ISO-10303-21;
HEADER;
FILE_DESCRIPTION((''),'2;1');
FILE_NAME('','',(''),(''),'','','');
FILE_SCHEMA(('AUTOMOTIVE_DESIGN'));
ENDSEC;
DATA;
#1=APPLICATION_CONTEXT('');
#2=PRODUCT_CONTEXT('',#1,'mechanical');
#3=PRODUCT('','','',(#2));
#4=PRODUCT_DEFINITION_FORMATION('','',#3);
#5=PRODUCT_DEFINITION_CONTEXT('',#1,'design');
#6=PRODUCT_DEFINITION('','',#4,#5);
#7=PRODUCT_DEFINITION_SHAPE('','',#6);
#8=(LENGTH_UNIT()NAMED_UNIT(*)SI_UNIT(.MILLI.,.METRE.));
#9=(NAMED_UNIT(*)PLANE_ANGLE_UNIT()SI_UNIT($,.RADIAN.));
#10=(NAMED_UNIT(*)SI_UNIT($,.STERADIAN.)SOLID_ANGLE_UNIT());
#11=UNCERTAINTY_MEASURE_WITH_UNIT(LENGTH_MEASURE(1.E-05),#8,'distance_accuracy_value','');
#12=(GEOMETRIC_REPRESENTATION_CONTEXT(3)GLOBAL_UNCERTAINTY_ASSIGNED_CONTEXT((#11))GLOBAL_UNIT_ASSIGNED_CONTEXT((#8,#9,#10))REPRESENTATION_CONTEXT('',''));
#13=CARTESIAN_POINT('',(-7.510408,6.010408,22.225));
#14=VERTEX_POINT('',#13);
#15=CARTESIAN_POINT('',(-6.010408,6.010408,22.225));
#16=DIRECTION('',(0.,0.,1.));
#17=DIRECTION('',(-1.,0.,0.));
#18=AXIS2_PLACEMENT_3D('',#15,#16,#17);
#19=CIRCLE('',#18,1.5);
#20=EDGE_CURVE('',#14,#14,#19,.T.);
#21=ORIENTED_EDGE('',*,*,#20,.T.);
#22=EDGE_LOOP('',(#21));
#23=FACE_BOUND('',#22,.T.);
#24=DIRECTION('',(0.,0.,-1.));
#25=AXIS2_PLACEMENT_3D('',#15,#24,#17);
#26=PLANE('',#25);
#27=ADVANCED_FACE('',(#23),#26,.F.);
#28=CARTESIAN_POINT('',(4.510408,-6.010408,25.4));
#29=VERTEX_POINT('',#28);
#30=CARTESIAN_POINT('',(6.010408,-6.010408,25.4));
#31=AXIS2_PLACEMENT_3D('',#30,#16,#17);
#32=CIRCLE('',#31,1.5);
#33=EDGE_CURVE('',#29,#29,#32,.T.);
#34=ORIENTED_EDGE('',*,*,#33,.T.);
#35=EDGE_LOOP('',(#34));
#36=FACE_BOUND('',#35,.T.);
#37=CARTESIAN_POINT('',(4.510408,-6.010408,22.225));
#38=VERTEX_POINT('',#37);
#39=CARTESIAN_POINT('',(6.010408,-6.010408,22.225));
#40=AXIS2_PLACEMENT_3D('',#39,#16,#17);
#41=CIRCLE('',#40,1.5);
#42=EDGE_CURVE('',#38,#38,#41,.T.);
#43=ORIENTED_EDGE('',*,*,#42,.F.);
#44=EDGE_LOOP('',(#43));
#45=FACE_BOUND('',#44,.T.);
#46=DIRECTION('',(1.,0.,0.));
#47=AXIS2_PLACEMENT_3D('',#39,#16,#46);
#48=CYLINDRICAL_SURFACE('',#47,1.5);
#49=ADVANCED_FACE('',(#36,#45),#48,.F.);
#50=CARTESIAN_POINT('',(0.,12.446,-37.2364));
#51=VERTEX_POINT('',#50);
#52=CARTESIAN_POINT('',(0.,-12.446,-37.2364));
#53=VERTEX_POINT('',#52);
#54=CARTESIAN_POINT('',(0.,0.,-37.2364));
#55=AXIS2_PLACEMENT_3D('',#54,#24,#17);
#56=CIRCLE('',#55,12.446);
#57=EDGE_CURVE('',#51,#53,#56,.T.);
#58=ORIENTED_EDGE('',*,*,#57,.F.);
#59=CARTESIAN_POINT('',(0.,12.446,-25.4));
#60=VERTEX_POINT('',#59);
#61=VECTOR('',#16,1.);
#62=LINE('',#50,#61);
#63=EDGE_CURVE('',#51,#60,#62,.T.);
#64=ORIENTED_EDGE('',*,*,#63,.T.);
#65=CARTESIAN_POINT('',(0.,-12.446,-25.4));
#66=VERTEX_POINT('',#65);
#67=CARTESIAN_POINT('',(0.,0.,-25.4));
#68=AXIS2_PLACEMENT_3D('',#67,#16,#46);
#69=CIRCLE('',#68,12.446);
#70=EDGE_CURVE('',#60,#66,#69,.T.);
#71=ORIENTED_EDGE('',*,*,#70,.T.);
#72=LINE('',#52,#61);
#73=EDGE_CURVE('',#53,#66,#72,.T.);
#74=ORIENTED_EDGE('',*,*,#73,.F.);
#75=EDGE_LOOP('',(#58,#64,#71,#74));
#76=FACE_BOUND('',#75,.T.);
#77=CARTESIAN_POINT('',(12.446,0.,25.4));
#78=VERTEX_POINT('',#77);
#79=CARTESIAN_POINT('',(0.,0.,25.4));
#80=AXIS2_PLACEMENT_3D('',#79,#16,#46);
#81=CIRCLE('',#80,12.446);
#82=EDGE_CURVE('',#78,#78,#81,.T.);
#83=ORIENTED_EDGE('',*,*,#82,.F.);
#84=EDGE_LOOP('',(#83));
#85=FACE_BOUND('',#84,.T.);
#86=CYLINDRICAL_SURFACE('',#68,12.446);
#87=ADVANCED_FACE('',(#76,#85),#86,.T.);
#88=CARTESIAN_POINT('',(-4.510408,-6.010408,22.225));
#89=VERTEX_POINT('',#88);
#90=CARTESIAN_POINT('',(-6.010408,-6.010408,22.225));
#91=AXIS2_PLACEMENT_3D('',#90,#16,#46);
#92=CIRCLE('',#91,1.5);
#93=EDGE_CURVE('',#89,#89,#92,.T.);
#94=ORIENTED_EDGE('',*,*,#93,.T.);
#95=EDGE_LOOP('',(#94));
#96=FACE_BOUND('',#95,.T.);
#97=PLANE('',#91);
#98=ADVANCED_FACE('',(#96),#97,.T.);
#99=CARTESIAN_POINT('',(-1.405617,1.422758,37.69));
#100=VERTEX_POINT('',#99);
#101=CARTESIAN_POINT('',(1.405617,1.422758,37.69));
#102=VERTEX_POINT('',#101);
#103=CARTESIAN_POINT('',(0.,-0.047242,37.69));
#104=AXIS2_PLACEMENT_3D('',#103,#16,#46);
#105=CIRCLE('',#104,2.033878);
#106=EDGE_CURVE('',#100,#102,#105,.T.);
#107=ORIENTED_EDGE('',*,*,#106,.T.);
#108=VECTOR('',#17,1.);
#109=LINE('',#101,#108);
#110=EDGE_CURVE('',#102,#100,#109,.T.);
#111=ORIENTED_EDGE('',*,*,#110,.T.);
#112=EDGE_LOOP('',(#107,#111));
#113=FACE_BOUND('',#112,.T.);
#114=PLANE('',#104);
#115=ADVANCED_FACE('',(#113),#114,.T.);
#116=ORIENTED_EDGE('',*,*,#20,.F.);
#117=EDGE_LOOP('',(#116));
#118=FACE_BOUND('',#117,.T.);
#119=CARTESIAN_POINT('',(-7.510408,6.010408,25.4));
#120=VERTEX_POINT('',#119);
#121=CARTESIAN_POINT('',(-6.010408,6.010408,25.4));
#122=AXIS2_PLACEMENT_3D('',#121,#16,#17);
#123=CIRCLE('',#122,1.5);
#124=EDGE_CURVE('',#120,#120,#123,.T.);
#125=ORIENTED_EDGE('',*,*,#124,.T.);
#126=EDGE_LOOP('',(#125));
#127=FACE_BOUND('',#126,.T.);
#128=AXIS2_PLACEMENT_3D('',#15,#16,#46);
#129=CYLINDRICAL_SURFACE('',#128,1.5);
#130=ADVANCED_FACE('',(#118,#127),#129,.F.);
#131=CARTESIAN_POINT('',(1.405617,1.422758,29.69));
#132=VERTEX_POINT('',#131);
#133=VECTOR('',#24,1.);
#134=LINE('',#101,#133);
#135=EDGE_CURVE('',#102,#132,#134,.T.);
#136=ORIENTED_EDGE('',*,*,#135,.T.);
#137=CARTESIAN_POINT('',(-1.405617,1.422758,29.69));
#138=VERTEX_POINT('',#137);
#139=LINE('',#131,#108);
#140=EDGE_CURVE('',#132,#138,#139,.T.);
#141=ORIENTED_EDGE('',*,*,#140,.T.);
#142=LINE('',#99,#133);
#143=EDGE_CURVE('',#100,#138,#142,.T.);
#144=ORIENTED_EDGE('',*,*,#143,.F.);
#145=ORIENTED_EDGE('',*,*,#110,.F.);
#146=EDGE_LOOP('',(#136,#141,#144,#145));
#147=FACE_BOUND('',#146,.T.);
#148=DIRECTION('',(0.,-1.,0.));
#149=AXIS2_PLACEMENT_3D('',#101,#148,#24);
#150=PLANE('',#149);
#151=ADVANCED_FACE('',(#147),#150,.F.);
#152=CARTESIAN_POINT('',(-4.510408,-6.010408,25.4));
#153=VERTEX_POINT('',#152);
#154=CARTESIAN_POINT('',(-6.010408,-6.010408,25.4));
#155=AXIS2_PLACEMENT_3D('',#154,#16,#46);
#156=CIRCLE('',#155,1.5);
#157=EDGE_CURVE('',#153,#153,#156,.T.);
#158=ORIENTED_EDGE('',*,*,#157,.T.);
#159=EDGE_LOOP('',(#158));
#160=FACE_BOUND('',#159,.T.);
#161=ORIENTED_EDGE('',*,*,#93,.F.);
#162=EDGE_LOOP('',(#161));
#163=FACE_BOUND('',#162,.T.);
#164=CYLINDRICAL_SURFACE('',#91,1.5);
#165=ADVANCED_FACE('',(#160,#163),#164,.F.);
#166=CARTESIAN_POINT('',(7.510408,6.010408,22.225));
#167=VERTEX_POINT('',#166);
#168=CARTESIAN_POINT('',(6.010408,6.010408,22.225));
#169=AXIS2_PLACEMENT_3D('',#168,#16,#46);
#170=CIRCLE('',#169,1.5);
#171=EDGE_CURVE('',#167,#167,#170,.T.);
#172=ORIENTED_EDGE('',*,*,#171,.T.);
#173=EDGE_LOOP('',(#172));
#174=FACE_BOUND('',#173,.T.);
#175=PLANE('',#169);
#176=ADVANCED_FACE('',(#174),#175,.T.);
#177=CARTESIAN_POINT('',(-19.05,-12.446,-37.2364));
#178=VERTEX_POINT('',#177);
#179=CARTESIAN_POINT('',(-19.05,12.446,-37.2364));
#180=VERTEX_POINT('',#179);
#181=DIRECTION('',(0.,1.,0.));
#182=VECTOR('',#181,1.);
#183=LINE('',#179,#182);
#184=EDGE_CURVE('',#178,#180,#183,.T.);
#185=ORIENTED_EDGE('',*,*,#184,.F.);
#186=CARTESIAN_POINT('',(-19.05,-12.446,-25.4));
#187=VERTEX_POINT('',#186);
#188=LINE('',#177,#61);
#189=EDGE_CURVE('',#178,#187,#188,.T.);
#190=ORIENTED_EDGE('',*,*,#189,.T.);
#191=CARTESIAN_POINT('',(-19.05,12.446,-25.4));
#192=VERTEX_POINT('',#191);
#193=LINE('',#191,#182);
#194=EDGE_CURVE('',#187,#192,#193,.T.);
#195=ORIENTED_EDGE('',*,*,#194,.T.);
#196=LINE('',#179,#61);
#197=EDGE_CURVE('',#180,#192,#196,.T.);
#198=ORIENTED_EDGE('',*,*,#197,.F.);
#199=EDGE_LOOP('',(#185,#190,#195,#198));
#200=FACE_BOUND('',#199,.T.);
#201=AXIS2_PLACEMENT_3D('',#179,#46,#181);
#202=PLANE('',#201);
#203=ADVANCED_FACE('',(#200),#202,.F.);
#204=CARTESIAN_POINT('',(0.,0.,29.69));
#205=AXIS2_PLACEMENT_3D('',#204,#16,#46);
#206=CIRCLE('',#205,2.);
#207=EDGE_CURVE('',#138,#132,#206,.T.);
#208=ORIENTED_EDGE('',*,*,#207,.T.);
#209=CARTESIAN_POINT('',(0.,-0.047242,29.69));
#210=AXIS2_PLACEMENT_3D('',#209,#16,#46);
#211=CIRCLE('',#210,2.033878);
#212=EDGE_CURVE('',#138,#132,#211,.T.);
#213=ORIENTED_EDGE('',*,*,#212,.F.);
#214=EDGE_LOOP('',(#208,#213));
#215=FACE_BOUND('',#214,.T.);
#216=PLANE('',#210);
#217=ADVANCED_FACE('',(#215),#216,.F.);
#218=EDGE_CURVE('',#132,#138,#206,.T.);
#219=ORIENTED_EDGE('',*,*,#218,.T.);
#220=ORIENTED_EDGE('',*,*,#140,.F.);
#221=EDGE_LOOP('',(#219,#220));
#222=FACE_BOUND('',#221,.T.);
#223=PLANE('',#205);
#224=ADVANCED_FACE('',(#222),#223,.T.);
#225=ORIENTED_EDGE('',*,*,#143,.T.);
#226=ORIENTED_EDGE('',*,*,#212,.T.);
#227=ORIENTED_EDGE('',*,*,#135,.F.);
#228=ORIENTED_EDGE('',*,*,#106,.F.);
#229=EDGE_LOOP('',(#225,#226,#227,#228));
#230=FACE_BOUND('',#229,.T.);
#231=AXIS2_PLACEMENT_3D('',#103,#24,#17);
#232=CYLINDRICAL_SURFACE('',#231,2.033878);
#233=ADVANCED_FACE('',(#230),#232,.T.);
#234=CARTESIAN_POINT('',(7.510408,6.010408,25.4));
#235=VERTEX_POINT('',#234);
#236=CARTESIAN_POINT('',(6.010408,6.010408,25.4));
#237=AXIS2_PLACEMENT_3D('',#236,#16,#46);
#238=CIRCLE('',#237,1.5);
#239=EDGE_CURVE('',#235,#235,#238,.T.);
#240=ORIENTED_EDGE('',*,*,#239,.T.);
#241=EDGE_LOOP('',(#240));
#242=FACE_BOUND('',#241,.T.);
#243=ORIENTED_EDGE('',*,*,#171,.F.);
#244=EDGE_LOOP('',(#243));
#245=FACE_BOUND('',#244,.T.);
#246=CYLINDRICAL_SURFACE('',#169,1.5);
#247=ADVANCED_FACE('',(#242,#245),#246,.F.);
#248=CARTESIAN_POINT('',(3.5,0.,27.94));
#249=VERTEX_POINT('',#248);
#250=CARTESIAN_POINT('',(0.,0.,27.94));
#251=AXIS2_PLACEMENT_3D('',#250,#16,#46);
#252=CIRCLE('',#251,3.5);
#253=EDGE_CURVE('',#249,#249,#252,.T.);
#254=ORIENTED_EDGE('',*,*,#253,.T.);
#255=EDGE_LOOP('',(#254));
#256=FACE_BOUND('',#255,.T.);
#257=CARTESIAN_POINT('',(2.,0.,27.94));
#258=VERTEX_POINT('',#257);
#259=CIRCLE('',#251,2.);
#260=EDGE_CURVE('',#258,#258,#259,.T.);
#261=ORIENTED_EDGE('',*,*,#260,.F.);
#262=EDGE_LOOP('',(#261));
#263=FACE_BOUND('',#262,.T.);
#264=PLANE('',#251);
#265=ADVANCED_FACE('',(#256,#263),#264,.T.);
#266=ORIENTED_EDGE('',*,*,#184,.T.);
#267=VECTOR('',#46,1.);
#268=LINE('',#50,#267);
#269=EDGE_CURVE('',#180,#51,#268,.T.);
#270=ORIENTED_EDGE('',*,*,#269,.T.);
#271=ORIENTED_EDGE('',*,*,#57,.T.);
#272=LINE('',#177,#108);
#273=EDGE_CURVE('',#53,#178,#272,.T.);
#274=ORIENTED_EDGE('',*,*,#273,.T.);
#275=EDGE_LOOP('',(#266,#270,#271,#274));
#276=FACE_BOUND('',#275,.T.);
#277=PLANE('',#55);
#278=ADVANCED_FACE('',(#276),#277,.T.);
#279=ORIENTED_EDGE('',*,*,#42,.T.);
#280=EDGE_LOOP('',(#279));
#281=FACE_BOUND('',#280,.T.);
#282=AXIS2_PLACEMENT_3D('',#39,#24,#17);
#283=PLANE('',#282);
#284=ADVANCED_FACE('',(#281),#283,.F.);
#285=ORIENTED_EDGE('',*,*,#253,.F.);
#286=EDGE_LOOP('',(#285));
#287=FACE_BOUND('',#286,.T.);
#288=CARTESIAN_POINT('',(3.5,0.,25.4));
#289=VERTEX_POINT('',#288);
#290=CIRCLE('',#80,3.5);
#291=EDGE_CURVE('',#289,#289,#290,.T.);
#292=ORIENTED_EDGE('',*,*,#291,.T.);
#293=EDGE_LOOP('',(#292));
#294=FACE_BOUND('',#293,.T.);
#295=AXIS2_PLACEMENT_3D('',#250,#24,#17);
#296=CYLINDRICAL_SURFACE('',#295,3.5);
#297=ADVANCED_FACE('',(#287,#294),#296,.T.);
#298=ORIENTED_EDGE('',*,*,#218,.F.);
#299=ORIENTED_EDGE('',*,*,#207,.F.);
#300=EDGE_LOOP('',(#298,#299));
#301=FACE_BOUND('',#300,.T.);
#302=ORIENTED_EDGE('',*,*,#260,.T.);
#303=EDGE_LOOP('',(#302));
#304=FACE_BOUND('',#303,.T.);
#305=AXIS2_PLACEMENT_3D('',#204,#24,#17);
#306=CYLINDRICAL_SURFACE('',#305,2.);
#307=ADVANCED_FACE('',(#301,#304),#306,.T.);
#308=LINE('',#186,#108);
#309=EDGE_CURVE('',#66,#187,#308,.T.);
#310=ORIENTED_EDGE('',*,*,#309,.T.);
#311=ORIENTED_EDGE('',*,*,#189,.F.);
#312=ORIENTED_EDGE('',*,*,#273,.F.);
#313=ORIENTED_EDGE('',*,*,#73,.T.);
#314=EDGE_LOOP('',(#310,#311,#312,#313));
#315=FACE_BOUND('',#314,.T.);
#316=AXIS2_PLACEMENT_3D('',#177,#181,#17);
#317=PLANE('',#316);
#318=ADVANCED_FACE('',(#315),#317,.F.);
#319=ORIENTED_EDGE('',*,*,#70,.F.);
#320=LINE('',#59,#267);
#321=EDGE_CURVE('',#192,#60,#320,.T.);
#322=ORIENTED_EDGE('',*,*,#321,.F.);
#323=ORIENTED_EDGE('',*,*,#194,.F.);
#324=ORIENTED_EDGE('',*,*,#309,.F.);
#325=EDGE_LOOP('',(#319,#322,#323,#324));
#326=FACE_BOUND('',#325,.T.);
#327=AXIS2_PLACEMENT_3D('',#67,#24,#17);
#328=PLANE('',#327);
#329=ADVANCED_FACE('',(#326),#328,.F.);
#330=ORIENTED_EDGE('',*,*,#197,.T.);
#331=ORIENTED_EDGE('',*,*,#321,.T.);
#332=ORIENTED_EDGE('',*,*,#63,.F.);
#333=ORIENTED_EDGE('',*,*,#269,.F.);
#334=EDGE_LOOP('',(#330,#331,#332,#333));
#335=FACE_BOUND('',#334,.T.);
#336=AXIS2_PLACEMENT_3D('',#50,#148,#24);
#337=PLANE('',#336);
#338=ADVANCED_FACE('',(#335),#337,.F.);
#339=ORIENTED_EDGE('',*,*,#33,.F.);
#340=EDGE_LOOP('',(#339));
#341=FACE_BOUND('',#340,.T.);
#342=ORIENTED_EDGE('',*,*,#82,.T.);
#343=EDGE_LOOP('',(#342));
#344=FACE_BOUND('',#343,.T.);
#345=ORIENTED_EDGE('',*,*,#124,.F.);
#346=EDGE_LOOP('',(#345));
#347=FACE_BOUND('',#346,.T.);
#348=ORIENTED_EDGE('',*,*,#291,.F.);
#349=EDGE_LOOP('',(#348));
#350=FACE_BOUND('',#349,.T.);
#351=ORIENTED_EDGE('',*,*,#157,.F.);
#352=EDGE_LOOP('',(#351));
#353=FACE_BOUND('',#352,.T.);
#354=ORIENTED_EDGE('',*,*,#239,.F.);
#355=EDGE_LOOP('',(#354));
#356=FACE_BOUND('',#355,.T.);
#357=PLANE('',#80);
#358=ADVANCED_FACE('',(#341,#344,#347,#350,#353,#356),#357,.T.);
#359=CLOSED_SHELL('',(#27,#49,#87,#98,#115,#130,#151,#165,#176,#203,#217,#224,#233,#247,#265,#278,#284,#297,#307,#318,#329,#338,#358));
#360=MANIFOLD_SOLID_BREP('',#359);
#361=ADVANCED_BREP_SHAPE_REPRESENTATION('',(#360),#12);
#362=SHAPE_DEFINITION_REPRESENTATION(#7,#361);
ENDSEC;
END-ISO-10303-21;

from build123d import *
from build123d.topology import SkipClean

# Parameters (mm, degrees)
BOSS_EXTRUDE1_DEPTH      = 25.4
BOSS_EXTRUDE1_DEPTH_BACK = 25.4
SKETCH1_R                = 12.446
SKETCH2_R                = 3.5
BOSS_EXTRUDE2_DEPTH      = 2.54
SKETCH4_R                = 2
BOSS_EXTRUDE3_DEPTH      = 1.75
BOSS_EXTRUDE4_DEPTH      = 8
SKETCH6_R                = 1.5
CUT_EXTRUDE1_DEPTH       = 3.175
BOSS_EXTRUDE5_DEPTH      = 11.8364


with BuildPart() as part:
    # Sketch1 → Boss-Extrude1 (new, two sides: drawn at the far end of the back side and taken through both)
    with BuildSketch(Plane.XY.offset(-BOSS_EXTRUDE1_DEPTH_BACK)):
        Circle(SKETCH1_R)
    extrude(amount=BOSS_EXTRUDE1_DEPTH + BOSS_EXTRUDE1_DEPTH_BACK)

    # Sketch2 → Boss-Extrude2 (add)
    with BuildSketch(Plane.XY.offset(25.4)):
        Circle(SKETCH2_R)
    extrude(amount=BOSS_EXTRUDE2_DEPTH)

    # Sketch4 → Boss-Extrude3 (add)
    with BuildSketch(Plane.XY.offset(27.94)):
        Circle(SKETCH4_R)
    extrude(amount=BOSS_EXTRUDE3_DEPTH)

    # Sketch5 → Boss-Extrude4 (add)
    with BuildSketch(Plane.XY.offset(29.69)):
        with BuildLine():
            Line((1.405616757, 1.422758424), (-1.405616757, 1.422758424))
            ThreePointArc((-1.405616757, 1.422758424), (0, -2.081119268), (1.405616757, 1.422758424))
        make_face()
    extrude(amount=BOSS_EXTRUDE4_DEPTH)

    # Sketch6 → Cut-Extrude1 (cut)
    with BuildSketch(Plane.XY.offset(25.4)):
        with Locations((6.01040764, 6.01040764)):
            Circle(SKETCH6_R)
        with Locations((6.01040764, -6.01040764)):
            Circle(SKETCH6_R)
        with Locations((-6.01040764, -6.01040764)):
            Circle(SKETCH6_R)
        with Locations((-6.01040764, 6.01040764)):
            Circle(SKETCH6_R)
    extrude(amount=-CUT_EXTRUDE1_DEPTH, mode=Mode.SUBTRACT)

    # Sketch7 → Boss-Extrude5 (add)
    with SkipClean():  # the faces are left unmerged after this step: merging them gives an invalid solid
        with BuildSketch(Plane(origin=(0, 0, -25.4), x_dir=(-1, 0, 0), z_dir=(0, 0, -1))):
            with BuildLine():
                Line((0, 12.446), (19.05, 12.446))
                Line((19.05, 12.446), (19.05, -12.446))
                Line((19.05, -12.446), (0, -12.446))
                ThreePointArc((0, -12.446), (-12.446, 0), (0, 12.446))
            make_face()
        extrude(amount=BOSS_EXTRUDE5_DEPTH)
    add(part.part.scale(1), mode=Mode.REPLACE)  # the faces are merged on a copy


solid = part.part
